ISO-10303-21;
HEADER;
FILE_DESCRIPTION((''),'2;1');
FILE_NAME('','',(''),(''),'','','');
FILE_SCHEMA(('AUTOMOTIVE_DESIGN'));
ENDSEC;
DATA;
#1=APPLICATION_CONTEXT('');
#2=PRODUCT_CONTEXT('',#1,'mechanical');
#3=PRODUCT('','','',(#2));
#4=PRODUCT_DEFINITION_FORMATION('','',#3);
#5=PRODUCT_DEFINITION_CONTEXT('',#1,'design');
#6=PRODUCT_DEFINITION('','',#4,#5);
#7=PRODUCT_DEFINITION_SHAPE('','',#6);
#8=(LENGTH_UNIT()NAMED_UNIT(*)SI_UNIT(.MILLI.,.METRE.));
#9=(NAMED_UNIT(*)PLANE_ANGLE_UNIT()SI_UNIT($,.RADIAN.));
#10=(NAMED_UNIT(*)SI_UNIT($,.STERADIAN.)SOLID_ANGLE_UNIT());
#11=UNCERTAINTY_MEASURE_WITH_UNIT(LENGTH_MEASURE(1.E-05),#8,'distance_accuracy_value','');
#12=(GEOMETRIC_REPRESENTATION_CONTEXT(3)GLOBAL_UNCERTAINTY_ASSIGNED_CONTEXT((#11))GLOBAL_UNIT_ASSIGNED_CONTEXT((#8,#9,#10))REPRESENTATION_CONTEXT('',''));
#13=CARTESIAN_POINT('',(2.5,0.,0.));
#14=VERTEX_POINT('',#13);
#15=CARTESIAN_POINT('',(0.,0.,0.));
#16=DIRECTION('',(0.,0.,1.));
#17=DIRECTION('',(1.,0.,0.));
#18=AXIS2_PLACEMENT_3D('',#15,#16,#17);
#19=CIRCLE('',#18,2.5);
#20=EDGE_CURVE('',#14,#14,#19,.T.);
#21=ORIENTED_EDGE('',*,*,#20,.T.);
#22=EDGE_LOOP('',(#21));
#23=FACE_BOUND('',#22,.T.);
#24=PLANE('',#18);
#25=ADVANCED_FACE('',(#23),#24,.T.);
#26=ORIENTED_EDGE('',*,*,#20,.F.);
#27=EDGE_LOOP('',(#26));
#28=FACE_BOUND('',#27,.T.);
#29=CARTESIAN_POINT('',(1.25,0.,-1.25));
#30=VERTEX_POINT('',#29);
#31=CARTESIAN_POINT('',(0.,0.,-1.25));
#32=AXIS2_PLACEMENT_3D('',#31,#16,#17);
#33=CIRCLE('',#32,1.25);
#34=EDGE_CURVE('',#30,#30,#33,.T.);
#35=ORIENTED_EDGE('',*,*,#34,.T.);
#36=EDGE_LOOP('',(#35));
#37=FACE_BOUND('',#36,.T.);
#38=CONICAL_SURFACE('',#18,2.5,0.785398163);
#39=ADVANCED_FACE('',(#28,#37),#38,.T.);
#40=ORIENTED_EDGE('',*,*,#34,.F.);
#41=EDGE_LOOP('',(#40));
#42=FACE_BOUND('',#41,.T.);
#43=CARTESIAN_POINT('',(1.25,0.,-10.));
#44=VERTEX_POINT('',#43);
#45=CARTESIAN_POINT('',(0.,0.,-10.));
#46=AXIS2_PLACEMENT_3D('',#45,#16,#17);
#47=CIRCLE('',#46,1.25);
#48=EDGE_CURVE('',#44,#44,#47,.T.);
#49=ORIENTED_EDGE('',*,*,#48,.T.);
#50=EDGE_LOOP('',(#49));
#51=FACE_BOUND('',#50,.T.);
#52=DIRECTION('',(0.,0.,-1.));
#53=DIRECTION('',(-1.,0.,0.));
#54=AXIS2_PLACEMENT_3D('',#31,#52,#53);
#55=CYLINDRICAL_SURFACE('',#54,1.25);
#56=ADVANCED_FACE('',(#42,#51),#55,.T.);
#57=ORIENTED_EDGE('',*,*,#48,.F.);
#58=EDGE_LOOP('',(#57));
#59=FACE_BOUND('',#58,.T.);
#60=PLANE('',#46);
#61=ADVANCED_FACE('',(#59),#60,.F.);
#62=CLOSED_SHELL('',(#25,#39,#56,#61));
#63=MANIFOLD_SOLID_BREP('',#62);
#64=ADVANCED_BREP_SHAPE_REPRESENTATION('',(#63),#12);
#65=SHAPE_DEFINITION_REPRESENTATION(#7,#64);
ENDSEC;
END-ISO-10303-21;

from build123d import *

# Parameters (mm, degrees)
SKETCH1_R                       = 2.5
HEAD_D5_90DEG_DEPTH             = 1.25
HEAD_D5_90DEG_DRAFT             = -45
M2P5X0P45_THREAD_ENVELOPE_START = -10
SKETCH2_R                       = 1.25
M2P5X0P45_THREAD_ENVELOPE_DEPTH = 8.75


with BuildPart() as part:
    # Sketch1 → Head_D5_90deg (with draft: the straight prism first)
    with BuildSketch(Plane.XY):
        Circle(SKETCH1_R)
    extrude(amount=-HEAD_D5_90DEG_DEPTH)
    # Head_D5_90deg: the draft: its side faces are tilted about the plane it starts from
    head_d5_90deg_sides = [part.faces().sort_by_distance(p)[0] for p in [
        (-2.5, 0, -0.625),
    ]]
    draft(head_d5_90deg_sides, Plane.XY, HEAD_D5_90DEG_DRAFT)

    # Sketch2 → M2p5x0p45_Thread_Envelope (add)
    with BuildSketch(Plane.XY.offset(M2P5X0P45_THREAD_ENVELOPE_START)):
        Circle(SKETCH2_R)
    extrude(amount=M2P5X0P45_THREAD_ENVELOPE_DEPTH)


solid = part.part
